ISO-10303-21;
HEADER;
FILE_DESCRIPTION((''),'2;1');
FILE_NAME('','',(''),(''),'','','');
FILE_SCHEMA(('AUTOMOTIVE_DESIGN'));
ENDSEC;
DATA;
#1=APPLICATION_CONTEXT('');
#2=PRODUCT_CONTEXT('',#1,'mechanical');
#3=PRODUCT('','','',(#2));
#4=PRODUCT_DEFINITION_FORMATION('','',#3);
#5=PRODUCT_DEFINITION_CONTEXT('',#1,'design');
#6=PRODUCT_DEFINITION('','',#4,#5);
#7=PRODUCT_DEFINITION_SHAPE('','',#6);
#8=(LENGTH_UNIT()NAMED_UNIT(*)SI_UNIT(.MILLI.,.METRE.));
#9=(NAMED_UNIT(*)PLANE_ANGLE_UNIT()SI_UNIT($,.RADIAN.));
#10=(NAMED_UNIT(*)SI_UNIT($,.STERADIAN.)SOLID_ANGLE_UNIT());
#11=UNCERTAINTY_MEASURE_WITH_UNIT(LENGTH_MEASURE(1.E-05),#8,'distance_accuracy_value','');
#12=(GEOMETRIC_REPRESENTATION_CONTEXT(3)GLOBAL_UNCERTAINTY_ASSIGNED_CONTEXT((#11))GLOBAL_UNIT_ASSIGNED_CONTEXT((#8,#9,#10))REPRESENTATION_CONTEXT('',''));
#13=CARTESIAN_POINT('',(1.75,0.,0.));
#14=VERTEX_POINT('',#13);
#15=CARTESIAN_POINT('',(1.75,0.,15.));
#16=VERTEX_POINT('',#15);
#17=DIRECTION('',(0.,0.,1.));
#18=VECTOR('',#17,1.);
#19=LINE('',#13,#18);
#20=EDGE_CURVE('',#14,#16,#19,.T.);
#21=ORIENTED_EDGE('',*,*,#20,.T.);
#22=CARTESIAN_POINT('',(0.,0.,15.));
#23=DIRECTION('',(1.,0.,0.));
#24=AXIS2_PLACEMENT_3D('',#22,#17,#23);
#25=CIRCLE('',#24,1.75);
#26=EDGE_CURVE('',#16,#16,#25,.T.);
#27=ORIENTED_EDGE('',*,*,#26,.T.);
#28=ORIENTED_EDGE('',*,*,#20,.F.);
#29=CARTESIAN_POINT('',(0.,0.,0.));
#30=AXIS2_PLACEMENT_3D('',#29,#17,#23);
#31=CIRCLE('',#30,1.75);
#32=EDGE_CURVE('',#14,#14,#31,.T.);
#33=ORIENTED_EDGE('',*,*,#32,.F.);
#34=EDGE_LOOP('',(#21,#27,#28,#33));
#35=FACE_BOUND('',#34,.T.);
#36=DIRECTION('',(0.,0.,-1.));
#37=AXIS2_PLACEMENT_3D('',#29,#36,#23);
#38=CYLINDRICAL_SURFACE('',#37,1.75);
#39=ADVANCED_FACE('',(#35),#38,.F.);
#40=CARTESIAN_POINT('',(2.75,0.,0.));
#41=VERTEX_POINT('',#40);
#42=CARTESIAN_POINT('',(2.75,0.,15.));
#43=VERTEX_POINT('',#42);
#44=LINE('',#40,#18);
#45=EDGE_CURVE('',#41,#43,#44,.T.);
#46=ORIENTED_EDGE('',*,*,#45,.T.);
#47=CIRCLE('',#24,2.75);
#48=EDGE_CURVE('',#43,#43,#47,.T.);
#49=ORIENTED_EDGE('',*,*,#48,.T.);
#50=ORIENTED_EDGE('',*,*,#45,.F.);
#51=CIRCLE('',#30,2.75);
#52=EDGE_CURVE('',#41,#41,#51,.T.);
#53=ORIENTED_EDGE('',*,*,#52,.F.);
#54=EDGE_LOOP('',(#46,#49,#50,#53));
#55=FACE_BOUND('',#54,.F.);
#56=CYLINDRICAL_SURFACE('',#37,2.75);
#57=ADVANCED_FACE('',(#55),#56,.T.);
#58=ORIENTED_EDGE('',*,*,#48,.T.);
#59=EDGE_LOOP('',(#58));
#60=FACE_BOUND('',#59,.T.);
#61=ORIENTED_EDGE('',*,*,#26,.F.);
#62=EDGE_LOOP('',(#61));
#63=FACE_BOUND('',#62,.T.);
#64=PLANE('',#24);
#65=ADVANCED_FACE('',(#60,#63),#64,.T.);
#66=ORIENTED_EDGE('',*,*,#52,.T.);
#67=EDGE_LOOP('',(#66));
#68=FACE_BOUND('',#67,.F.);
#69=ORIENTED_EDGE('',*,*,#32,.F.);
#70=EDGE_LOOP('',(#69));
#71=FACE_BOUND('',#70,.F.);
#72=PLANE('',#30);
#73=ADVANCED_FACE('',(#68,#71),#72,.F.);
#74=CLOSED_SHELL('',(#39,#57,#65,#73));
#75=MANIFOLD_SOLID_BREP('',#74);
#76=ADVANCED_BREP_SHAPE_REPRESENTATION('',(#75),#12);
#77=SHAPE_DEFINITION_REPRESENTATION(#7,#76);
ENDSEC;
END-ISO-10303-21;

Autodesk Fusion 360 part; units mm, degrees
sketch "Skizze1" plane through (0, 0, 0) normal (0, 0, 1) x (1, 0, 0)
  circle A0 centre (0, 0) radius 1.75
  circle A1 centre (0, 0) radius 2.75
  dimension "d63" = 3.5
  dimension "d64" = 5.5
extrude "Extrusion1" add sketch "Skizze1" along normal blind 15
